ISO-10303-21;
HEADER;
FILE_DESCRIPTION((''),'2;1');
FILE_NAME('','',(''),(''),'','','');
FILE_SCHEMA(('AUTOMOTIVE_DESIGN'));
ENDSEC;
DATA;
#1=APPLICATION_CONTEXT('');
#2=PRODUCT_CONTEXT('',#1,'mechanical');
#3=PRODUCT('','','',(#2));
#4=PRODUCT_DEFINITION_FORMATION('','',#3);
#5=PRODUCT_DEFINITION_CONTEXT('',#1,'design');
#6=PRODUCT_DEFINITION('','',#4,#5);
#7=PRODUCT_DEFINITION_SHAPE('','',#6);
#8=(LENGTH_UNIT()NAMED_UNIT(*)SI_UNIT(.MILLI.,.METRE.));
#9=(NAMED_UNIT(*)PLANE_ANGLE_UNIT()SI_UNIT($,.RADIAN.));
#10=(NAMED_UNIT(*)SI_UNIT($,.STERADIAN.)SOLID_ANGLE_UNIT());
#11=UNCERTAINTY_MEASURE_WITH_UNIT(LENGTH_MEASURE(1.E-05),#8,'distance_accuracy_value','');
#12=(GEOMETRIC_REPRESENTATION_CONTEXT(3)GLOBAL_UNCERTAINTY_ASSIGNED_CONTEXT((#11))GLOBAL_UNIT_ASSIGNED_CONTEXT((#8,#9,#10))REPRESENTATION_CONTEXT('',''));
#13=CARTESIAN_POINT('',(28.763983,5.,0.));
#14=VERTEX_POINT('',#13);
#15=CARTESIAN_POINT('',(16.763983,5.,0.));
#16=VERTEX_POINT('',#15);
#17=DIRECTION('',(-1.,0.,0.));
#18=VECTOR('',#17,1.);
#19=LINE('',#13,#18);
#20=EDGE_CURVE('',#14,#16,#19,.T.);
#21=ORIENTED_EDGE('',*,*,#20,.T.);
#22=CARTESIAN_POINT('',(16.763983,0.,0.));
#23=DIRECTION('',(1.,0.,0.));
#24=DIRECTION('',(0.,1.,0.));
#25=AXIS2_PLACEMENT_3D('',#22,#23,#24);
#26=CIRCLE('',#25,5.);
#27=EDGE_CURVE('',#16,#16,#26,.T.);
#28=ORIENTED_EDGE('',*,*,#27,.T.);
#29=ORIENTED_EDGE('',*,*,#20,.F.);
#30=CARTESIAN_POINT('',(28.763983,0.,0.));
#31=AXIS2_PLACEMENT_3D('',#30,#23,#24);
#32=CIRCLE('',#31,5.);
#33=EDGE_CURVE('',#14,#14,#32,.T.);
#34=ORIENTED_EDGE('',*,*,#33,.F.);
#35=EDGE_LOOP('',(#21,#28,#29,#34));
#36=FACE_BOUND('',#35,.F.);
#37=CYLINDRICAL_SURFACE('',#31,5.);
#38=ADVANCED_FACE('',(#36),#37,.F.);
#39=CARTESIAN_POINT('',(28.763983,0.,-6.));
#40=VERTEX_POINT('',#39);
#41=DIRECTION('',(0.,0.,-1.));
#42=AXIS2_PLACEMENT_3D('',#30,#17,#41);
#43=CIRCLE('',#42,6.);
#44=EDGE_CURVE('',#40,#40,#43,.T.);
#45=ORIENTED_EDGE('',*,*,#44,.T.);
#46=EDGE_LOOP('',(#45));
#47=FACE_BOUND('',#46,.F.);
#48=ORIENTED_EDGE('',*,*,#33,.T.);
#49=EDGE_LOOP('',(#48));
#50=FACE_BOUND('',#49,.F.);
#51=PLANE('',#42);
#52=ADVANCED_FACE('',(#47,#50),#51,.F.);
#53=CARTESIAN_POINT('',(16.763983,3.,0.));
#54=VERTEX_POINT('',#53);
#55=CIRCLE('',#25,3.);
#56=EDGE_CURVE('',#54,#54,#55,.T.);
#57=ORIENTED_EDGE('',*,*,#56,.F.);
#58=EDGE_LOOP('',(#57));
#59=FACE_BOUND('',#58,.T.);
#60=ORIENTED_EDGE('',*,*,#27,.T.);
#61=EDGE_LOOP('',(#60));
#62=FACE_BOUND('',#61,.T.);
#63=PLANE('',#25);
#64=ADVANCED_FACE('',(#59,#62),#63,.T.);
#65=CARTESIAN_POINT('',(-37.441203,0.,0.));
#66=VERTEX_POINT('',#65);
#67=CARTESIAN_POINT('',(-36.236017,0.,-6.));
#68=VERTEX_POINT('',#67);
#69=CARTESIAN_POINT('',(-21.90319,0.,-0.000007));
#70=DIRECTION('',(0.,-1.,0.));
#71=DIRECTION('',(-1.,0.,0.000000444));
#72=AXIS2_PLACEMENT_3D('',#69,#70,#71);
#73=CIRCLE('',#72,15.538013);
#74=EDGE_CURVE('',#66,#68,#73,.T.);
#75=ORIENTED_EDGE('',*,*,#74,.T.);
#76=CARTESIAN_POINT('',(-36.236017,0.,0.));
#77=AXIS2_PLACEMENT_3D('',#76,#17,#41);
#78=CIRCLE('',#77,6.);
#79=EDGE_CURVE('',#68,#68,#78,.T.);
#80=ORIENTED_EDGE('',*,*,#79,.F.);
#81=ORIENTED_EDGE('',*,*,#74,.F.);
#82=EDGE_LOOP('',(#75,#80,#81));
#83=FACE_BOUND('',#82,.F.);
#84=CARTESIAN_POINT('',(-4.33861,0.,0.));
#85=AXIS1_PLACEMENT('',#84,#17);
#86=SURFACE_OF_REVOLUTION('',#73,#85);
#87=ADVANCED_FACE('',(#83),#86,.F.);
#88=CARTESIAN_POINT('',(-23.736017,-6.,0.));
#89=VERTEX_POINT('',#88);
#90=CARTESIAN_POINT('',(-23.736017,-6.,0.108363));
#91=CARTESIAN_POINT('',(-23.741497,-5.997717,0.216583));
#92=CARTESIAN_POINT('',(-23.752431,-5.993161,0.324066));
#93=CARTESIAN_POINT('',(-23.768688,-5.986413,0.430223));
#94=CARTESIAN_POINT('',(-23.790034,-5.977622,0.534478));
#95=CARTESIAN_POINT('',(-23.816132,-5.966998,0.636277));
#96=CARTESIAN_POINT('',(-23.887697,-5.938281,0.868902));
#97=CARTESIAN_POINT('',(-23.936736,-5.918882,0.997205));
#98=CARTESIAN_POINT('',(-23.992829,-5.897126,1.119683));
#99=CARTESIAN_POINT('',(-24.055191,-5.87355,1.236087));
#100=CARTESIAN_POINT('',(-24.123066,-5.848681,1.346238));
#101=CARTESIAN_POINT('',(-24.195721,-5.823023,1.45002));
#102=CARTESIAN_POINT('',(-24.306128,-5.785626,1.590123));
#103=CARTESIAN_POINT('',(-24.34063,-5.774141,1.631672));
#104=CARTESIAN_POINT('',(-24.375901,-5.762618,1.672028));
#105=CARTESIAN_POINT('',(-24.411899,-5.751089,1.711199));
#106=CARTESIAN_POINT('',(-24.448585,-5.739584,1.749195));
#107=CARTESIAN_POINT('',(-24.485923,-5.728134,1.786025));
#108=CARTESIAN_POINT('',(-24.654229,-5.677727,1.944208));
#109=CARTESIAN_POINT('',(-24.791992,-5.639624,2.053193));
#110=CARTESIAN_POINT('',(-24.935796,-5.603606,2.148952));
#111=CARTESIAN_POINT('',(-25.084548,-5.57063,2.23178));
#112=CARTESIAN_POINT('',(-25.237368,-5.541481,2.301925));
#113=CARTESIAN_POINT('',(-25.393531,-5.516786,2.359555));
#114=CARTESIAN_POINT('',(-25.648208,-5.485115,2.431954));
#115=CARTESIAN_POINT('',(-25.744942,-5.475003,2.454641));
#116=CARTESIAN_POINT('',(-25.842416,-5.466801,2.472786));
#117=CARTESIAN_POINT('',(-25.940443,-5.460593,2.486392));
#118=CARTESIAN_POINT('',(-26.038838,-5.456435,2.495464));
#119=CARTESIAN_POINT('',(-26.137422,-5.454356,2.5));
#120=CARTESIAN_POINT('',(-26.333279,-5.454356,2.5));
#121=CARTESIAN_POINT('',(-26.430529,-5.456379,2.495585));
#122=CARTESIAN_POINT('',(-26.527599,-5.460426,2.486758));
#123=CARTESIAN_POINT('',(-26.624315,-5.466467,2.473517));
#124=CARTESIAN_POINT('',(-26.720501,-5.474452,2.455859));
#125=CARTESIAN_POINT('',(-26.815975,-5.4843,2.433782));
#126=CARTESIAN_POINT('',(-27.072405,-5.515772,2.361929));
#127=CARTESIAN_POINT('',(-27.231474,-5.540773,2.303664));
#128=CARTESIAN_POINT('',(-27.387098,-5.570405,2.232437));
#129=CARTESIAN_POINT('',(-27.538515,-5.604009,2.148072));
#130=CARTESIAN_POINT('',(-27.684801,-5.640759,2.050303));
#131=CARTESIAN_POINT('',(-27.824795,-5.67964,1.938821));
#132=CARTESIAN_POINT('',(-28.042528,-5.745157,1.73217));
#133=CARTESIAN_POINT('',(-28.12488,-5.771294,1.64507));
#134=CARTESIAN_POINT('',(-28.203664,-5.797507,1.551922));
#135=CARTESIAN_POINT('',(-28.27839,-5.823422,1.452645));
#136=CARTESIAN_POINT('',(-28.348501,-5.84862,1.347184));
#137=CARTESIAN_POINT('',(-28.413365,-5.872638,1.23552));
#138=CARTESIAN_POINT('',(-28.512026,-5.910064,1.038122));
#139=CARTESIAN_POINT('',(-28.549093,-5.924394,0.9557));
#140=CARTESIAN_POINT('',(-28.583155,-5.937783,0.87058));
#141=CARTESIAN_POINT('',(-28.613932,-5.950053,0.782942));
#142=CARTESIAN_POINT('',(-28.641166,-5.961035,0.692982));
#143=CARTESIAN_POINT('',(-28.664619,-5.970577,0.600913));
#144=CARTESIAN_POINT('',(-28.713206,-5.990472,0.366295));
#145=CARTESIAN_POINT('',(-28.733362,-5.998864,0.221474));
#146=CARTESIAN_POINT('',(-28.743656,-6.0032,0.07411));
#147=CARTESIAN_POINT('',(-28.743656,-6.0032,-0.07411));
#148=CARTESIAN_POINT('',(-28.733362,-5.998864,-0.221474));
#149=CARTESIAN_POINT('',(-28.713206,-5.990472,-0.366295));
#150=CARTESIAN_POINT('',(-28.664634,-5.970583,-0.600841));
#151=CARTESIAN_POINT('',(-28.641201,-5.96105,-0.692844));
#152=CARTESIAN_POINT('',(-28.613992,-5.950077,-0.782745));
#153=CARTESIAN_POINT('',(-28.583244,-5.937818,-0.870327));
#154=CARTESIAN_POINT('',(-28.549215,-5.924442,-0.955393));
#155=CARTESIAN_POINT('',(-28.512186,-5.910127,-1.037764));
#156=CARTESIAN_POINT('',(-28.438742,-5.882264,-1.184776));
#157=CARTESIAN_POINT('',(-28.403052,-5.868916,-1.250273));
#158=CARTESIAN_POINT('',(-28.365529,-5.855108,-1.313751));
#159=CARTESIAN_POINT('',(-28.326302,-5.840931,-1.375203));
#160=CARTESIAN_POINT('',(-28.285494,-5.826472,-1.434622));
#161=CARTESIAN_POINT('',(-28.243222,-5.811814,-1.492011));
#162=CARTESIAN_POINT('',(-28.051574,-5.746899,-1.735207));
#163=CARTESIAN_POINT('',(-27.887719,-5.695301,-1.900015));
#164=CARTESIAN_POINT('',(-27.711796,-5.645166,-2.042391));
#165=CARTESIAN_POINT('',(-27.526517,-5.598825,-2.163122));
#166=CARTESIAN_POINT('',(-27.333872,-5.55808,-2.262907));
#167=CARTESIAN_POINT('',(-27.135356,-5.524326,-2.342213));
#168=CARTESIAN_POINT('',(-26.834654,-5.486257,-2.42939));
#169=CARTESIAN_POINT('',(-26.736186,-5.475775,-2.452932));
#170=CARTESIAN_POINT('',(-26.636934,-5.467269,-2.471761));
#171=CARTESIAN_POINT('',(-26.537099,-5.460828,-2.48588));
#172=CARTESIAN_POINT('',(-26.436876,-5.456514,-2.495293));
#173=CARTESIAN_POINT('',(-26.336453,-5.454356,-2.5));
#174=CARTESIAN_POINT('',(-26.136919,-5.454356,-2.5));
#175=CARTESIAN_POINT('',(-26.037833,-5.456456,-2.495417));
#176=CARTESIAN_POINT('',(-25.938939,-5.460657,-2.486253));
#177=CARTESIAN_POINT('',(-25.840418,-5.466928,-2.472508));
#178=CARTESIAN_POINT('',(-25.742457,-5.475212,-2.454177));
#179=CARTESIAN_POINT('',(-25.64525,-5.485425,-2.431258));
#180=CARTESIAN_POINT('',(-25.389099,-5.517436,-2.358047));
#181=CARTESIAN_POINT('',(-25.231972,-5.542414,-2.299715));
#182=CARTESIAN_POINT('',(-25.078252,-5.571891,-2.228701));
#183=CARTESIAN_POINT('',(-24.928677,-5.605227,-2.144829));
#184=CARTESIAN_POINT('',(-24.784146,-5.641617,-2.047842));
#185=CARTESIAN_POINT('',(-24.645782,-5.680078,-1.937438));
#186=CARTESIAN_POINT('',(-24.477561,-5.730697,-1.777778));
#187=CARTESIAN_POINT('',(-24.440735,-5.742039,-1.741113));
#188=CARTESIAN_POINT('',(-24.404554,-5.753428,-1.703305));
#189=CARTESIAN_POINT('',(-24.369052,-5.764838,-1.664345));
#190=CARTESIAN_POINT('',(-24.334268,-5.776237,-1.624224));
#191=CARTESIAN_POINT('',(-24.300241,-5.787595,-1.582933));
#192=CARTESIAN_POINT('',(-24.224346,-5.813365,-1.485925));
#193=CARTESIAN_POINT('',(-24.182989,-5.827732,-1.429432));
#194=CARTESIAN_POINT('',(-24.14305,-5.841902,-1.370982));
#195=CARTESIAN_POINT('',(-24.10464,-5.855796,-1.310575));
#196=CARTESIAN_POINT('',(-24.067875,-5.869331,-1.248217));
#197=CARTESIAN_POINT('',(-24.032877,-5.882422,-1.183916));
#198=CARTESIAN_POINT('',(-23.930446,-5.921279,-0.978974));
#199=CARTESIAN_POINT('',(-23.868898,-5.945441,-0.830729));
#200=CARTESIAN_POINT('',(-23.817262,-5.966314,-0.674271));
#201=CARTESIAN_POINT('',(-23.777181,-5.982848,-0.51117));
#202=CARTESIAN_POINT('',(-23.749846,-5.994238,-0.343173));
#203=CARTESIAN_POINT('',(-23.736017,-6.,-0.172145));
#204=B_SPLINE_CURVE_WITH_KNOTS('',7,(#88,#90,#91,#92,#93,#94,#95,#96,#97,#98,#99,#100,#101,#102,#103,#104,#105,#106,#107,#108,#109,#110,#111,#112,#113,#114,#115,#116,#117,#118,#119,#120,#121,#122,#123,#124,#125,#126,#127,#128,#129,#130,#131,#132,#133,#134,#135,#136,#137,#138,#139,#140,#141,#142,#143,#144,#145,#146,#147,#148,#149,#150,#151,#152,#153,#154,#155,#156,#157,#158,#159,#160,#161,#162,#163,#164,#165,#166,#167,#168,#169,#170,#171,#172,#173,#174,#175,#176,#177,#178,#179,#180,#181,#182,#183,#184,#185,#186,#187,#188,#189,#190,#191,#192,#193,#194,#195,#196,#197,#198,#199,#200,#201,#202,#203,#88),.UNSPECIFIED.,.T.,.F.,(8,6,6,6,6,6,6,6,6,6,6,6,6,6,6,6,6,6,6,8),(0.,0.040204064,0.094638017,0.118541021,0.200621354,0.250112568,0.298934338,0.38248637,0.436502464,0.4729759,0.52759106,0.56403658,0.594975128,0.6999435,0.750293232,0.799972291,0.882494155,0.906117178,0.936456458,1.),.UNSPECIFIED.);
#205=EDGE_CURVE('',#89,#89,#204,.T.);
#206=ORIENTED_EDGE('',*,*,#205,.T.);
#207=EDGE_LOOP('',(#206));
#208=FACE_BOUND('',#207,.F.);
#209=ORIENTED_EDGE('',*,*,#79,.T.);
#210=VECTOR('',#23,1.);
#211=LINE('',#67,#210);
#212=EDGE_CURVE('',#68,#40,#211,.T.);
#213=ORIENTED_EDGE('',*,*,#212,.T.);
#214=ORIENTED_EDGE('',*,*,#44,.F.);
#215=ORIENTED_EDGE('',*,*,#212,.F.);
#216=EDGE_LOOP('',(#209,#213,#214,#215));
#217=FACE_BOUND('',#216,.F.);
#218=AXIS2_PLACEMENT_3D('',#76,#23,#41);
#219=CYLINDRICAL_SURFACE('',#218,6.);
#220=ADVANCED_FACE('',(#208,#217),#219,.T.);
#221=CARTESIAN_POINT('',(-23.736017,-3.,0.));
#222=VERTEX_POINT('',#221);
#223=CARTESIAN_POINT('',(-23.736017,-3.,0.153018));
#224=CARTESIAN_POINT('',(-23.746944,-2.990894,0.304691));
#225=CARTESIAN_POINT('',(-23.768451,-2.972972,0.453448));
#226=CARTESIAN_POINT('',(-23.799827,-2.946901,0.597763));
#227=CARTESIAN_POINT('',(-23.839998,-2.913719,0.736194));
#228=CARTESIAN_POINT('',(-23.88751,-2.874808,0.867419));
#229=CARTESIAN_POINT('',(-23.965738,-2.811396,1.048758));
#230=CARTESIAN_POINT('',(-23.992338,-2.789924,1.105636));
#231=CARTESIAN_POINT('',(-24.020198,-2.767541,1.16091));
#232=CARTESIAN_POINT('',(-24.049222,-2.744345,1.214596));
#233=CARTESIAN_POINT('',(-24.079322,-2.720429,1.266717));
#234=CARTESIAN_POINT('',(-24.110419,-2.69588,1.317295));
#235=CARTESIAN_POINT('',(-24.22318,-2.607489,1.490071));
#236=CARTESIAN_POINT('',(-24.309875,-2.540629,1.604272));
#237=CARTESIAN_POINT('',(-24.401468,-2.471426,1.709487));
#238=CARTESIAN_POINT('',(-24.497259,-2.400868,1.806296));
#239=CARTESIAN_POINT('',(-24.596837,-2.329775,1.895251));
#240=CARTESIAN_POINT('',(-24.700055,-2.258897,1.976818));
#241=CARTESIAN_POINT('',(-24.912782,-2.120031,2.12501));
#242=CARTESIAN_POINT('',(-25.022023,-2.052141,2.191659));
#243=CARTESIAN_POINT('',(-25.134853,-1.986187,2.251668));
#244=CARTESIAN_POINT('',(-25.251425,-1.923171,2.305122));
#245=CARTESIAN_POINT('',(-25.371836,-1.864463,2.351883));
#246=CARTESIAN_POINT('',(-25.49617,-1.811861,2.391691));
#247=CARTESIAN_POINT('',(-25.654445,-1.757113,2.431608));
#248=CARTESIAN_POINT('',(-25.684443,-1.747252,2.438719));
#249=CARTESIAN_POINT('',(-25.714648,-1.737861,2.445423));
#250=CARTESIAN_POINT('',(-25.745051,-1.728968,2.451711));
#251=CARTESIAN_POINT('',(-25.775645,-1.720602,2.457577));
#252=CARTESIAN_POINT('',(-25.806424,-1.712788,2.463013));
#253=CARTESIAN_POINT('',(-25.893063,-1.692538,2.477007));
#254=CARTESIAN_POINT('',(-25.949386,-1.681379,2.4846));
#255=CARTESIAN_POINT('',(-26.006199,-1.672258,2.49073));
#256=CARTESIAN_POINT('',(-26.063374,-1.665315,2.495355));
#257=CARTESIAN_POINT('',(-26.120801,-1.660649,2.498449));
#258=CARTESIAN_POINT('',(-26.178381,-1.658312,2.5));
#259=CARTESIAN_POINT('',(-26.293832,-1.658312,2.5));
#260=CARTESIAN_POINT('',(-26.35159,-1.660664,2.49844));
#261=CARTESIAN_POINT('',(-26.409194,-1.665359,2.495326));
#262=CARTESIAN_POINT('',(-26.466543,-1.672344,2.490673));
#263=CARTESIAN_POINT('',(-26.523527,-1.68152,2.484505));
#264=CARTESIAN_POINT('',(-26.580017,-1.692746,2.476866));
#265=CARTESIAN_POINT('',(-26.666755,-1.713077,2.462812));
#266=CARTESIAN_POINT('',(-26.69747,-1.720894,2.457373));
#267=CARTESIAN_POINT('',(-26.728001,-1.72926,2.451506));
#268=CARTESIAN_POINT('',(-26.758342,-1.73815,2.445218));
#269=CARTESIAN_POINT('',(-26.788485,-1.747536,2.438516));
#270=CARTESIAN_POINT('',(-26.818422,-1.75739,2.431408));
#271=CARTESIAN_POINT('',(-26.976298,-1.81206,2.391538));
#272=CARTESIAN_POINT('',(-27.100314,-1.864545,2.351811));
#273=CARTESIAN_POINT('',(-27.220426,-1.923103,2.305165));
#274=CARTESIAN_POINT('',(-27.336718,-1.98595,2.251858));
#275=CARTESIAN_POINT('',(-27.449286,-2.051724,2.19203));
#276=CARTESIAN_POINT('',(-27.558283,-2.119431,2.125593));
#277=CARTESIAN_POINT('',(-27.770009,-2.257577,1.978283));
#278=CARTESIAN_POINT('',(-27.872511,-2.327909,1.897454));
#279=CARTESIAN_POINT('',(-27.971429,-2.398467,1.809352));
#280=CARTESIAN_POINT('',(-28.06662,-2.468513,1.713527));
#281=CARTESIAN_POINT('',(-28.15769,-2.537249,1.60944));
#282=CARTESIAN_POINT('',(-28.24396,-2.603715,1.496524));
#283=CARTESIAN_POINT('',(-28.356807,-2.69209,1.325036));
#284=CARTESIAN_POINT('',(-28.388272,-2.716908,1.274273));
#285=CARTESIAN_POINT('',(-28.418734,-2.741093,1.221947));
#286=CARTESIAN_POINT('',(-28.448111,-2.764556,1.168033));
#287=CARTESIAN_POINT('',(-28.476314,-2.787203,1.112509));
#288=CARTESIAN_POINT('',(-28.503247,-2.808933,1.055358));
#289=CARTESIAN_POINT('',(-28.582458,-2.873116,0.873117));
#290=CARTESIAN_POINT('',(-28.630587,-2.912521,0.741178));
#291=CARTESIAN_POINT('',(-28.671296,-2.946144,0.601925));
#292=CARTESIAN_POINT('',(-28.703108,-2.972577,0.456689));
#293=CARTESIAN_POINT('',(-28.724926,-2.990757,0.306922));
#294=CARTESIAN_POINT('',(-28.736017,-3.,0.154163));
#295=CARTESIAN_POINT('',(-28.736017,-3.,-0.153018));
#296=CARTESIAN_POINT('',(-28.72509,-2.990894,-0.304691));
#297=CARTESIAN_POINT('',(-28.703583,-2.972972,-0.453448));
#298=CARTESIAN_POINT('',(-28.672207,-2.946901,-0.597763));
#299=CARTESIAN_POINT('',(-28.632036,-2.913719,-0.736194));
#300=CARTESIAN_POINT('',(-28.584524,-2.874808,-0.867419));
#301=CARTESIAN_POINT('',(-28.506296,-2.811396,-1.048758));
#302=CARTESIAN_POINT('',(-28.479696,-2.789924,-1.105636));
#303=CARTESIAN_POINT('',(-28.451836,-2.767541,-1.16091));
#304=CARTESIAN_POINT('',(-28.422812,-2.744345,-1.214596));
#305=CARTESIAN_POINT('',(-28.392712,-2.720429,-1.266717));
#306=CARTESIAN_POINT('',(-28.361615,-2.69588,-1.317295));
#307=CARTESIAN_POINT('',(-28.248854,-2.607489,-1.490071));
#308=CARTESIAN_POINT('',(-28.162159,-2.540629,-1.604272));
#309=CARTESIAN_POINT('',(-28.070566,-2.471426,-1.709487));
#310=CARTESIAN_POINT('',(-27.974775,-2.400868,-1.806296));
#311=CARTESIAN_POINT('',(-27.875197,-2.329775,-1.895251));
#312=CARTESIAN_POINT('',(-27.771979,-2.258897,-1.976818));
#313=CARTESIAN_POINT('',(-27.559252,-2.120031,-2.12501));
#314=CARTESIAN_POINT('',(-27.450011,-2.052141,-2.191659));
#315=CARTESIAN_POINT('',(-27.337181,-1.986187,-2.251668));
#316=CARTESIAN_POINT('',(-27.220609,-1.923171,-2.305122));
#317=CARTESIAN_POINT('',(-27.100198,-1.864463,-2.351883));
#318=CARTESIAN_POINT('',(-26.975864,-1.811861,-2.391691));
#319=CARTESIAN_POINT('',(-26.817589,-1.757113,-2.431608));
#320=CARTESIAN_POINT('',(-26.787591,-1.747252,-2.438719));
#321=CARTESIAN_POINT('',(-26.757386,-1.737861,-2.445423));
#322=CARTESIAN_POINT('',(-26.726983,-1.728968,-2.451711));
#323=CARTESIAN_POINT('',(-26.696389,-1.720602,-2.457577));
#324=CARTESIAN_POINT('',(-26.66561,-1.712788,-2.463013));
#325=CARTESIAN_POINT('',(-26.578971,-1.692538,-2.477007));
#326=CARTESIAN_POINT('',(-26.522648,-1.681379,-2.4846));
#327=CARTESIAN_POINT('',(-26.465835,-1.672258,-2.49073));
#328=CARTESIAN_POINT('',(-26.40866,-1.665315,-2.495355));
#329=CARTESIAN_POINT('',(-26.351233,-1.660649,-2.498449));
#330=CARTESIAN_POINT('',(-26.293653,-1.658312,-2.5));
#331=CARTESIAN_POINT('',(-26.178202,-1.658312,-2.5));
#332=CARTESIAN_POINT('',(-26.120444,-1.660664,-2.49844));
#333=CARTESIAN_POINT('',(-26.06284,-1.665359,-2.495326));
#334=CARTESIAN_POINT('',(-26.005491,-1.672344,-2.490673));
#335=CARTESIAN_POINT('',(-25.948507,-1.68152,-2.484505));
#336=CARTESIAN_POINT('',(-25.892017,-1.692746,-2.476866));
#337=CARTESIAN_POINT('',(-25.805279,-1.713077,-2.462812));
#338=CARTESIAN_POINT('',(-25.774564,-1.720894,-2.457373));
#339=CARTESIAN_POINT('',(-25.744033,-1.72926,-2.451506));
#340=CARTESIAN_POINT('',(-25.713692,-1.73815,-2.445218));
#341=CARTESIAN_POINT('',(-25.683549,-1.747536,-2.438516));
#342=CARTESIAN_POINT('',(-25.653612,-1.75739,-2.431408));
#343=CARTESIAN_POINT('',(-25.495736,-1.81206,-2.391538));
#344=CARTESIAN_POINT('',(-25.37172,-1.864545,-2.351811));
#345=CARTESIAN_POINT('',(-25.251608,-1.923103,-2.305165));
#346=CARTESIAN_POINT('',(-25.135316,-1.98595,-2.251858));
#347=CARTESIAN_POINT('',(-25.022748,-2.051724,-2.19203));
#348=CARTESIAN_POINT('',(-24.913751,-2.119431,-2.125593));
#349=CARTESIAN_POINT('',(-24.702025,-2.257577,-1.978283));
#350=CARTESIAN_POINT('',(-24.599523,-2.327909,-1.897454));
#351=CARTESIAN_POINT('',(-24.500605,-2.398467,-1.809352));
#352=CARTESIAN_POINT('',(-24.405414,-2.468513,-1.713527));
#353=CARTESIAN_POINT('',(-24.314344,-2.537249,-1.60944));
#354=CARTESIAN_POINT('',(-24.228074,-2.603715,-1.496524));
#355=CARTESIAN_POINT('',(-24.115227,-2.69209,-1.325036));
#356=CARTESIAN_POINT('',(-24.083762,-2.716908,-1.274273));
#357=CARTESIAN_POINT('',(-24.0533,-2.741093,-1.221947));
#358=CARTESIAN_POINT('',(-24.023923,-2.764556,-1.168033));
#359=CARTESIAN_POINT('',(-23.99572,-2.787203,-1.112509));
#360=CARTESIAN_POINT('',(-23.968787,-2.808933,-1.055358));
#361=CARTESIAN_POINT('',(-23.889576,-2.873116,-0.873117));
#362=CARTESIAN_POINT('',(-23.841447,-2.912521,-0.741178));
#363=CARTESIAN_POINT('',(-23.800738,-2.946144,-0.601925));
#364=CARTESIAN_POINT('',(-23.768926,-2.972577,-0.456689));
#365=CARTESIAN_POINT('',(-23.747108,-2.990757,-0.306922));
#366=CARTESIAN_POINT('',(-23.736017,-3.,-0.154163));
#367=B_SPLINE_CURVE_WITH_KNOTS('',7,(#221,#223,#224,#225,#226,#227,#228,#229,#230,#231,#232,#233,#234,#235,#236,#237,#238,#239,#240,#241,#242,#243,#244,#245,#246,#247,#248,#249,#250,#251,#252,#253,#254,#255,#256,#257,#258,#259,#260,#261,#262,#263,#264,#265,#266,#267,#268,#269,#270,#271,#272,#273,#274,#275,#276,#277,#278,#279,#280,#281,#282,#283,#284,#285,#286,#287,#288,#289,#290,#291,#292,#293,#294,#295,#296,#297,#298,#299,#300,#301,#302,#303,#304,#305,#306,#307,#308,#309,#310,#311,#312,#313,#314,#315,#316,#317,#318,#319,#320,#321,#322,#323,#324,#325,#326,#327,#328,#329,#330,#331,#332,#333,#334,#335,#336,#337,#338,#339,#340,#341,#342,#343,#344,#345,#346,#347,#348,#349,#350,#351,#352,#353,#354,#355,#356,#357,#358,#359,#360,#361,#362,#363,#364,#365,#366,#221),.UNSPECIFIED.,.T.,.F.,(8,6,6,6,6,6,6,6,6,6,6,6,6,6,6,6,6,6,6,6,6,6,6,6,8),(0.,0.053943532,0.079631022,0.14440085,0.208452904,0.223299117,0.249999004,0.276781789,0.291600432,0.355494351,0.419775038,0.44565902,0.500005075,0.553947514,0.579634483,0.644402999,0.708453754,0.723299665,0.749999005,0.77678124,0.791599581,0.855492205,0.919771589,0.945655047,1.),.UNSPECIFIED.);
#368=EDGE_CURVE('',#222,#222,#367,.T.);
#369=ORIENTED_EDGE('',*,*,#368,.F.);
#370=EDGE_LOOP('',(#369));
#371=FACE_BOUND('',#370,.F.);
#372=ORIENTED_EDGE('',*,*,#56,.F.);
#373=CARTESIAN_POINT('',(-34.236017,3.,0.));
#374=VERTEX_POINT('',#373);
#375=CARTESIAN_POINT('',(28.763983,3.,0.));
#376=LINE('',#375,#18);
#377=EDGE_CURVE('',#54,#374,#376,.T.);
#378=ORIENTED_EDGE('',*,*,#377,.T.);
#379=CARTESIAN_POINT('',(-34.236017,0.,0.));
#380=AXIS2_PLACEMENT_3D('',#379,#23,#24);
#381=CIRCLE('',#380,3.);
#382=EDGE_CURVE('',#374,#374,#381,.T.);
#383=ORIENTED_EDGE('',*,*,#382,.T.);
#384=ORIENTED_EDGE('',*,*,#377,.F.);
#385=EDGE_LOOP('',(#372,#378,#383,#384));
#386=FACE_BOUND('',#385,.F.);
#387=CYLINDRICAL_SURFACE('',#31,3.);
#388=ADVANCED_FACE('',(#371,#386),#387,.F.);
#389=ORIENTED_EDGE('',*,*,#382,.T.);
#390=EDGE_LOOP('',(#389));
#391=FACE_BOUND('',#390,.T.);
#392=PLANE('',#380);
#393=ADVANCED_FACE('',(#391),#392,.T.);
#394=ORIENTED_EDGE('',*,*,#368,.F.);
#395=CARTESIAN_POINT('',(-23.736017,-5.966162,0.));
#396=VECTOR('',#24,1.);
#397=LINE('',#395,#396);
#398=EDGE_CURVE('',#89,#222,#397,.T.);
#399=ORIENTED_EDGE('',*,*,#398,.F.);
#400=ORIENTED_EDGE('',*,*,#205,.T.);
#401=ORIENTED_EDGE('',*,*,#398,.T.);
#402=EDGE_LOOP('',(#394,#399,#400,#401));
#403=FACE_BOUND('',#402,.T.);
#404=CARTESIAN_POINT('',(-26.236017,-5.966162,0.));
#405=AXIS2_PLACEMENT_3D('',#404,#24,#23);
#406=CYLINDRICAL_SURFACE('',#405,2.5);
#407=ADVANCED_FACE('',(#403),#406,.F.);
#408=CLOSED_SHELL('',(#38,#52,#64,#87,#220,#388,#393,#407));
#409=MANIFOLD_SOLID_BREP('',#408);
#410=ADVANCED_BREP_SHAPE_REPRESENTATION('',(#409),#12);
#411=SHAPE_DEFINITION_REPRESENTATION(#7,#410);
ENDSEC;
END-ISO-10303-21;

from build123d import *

# Parameters (mm, degrees)
F2_R     = 3
F3_DEPTH = 63
F4_R     = 5
F5_DEPTH = 12
F6_W     = 2.5
F6_H     = 11.932325


with BuildPart() as f1:
    # F0 (on Front) → F1 (revolve)
    with BuildSketch(Plane.XZ):
        with BuildLine():
            ThreePointArc((-37.441203, 0), (-37.136928, -3.059921), (-36.236017, -6))
            Line((-36.236017, -6), (28.763983, -6))
            Line((28.763983, -6), (28.763983, 0))
            Line((28.763983, 0), (-37.441203, 0))
        make_face()
    revolve(axis=Axis((-4.33861, 0, 0), (-1, 0, 0)))

    # F2 (on face) → F3 (cut)
    with BuildSketch(Plane.YZ.offset(28.763983)):
        Circle(F2_R)
    extrude(amount=-F3_DEPTH, mode=Mode.SUBTRACT)

    # F4 (on face) → F5 (cut)
    with BuildSketch(Plane.YZ.offset(28.763983)):
        Circle(F4_R)
    extrude(amount=-F5_DEPTH, mode=Mode.SUBTRACT)

    # F6 (on Top) → F7 (revolve, cut)
    with BuildSketch(Plane.XY):
        with Locations((-24.986017, -5.966162)):
            Rectangle(F6_W, F6_H)
    revolve(axis=Axis((-26.236017, -5.966163, 0), (0, -1, 0)), mode=Mode.SUBTRACT)


solid = f1.part
